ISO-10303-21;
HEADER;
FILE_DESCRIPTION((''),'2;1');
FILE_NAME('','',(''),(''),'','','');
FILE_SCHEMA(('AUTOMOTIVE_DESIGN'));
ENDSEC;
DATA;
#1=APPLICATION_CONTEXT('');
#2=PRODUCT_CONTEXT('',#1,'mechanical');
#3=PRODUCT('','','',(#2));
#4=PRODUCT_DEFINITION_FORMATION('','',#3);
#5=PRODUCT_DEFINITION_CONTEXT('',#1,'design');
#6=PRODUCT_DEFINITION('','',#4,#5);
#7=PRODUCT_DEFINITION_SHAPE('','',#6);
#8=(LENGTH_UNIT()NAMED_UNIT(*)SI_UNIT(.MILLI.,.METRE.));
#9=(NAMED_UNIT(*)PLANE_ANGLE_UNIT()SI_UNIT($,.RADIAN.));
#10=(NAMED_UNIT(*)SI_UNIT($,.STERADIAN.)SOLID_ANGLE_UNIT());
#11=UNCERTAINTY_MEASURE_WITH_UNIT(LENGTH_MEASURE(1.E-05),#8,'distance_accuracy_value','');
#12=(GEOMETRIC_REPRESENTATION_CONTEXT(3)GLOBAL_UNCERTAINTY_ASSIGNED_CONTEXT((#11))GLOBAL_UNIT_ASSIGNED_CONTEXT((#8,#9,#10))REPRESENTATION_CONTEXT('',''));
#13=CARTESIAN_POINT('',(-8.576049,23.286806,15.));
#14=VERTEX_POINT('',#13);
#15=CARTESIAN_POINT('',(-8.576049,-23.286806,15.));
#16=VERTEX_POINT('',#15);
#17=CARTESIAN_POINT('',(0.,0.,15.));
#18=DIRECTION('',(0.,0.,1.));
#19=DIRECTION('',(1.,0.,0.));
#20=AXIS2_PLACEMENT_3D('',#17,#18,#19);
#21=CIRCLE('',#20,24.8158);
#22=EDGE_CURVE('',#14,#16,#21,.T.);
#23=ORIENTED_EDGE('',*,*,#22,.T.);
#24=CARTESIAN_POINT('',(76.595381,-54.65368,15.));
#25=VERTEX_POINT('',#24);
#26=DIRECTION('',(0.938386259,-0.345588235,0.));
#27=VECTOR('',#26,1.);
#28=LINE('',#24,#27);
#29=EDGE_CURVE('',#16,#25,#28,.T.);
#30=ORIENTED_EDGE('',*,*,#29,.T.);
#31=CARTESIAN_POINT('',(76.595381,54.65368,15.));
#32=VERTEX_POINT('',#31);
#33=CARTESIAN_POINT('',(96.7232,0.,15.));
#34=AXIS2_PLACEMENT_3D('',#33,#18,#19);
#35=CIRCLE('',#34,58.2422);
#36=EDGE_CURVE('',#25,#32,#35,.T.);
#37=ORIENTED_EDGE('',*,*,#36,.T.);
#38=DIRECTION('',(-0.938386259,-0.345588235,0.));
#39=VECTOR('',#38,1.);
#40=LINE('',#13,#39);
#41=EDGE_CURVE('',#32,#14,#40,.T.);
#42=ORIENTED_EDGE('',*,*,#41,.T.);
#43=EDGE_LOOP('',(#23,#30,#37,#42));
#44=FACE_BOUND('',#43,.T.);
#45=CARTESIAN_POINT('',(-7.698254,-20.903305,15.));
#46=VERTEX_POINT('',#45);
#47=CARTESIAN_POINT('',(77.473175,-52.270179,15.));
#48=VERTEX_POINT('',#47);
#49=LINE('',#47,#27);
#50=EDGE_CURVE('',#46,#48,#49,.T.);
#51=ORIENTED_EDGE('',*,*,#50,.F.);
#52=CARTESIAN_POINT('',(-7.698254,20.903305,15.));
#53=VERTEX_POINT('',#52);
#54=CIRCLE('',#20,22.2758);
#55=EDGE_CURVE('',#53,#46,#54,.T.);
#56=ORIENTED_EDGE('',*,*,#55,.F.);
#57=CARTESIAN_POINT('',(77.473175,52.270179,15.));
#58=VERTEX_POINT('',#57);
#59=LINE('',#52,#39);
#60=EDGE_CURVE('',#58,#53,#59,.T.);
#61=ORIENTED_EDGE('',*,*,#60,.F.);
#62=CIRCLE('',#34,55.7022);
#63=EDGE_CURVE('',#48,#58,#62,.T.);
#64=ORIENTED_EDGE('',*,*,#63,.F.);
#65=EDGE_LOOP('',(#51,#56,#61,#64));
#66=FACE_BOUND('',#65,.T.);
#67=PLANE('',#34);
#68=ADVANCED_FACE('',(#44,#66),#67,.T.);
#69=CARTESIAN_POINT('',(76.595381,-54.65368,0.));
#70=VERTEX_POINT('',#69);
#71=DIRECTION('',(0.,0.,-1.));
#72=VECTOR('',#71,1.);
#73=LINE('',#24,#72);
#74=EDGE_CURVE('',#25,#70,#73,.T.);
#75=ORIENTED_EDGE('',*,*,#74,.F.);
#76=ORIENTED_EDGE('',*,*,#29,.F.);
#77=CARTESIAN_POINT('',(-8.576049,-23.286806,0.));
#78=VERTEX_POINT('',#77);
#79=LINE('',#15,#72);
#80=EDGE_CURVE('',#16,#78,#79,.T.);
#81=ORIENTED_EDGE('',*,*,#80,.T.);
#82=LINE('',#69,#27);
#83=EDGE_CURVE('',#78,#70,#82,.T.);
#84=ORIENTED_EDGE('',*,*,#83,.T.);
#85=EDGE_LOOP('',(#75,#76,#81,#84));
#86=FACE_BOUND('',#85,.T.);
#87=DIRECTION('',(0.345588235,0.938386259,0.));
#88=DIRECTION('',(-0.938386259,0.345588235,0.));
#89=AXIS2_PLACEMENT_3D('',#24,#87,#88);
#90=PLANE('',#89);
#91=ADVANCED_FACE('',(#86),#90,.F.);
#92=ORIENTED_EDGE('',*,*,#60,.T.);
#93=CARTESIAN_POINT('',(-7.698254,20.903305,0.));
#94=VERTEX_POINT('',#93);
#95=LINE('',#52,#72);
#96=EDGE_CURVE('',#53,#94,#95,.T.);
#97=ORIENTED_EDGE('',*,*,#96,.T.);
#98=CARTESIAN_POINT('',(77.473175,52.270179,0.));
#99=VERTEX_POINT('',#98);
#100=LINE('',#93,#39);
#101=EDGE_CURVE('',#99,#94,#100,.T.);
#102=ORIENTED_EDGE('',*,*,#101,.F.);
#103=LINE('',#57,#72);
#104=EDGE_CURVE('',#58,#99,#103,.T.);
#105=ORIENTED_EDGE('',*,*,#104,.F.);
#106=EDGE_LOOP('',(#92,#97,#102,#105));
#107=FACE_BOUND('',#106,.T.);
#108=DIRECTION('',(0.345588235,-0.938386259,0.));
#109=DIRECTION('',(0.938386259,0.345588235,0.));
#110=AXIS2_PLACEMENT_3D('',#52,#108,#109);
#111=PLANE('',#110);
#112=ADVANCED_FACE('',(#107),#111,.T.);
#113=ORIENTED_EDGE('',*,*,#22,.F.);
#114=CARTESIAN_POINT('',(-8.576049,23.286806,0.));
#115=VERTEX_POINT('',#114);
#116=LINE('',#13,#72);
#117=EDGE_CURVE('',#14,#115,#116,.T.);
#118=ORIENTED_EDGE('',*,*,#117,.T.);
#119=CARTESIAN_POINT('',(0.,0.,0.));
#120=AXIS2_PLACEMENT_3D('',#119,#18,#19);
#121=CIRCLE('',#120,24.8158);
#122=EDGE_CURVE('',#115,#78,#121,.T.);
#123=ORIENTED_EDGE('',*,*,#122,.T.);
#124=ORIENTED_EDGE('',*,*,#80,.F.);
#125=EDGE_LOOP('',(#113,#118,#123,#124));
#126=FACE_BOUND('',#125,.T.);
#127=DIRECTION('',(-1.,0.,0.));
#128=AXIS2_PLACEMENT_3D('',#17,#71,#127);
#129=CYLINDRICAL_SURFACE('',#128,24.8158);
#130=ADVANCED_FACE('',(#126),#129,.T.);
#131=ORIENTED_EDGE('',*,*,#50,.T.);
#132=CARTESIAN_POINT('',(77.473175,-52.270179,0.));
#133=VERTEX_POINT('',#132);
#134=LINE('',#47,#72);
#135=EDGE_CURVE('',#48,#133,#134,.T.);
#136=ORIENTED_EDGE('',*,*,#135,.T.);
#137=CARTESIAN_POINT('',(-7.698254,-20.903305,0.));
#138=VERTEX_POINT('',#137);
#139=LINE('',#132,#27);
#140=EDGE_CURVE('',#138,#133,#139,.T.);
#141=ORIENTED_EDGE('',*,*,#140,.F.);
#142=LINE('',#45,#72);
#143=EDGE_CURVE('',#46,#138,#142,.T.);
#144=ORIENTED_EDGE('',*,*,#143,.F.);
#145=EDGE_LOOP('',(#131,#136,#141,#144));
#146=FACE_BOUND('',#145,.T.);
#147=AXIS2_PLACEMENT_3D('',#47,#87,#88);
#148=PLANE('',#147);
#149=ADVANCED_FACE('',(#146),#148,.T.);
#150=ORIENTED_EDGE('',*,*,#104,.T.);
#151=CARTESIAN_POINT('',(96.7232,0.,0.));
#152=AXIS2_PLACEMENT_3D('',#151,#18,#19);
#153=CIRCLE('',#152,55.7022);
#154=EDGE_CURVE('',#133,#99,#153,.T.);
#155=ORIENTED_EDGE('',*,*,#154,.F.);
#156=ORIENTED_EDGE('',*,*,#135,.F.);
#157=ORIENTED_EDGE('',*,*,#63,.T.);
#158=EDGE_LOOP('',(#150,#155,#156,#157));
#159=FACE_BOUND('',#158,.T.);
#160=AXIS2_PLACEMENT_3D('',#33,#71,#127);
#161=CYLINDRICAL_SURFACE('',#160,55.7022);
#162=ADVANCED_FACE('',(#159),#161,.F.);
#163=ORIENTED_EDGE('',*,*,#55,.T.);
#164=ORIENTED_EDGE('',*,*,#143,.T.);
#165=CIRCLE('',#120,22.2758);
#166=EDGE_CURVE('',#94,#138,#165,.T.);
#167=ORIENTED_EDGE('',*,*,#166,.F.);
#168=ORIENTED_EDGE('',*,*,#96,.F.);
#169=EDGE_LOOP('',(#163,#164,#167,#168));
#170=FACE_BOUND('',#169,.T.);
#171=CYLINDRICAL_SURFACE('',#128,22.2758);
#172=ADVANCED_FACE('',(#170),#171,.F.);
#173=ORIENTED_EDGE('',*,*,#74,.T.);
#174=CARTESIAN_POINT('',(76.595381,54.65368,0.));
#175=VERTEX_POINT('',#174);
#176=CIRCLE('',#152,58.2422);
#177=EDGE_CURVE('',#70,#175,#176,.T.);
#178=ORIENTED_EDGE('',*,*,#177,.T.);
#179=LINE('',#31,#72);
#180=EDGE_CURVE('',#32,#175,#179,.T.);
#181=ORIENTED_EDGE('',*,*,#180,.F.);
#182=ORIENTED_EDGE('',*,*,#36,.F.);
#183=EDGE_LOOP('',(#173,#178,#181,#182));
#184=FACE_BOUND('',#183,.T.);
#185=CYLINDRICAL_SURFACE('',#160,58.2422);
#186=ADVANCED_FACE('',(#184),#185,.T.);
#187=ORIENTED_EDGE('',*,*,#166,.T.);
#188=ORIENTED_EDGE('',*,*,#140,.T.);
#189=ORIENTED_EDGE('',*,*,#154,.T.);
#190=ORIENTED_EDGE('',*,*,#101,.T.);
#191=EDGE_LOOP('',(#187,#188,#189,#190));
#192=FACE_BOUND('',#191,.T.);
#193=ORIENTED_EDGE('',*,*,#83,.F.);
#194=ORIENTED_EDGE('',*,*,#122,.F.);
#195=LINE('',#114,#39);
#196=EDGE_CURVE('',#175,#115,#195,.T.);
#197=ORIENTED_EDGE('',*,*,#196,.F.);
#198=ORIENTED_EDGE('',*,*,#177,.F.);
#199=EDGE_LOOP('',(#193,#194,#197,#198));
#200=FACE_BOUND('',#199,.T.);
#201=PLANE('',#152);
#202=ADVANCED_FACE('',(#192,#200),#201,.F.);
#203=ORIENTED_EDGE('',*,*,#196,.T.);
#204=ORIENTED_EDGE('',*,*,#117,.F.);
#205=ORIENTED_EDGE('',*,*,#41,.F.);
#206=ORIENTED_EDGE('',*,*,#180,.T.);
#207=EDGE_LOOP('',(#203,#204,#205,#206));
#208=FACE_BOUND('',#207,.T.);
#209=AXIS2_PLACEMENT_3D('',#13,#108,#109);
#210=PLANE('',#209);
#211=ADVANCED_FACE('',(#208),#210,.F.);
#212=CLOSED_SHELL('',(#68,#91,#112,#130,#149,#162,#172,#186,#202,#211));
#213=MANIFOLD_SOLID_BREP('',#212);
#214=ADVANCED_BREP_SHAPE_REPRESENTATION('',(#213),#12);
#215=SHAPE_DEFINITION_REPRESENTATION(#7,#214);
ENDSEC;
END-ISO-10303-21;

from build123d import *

# Parameters (mm, degrees)
BOSS_EXTRUDE1_DEPTH = 15


with BuildPart() as part:
    # Sketch1 → Boss-Extrude1 (new body)
    with BuildSketch(Plane.XY):
        with BuildLine():
            Line((76.595380882, -54.653680191), (-8.576048529, -23.286805733))
            ThreePointArc((-8.576048529, -23.286805733), (-24.8158, 0), (-8.576048529, 23.286805733))
            Line((-8.576048529, 23.286805733), (76.595380882, 54.653680191))
            ThreePointArc((76.595380882, 54.653680191), (154.9654, 0), (76.595380882, -54.653680191))
        make_face()
        with BuildLine():
            Line((77.473175, -52.270179092), (-7.698254412, -20.903304635))
            ThreePointArc((-7.698254412, -20.903304635), (-22.2758, 0), (-7.698254412, 20.903304635))
            Line((-7.698254412, 20.903304635), (77.473175, 52.270179092))
            ThreePointArc((77.473175, 52.270179092), (152.4254, 0), (77.473175, -52.270179092))
        make_face(mode=Mode.SUBTRACT)
    extrude(amount=BOSS_EXTRUDE1_DEPTH)


solid = part.part
